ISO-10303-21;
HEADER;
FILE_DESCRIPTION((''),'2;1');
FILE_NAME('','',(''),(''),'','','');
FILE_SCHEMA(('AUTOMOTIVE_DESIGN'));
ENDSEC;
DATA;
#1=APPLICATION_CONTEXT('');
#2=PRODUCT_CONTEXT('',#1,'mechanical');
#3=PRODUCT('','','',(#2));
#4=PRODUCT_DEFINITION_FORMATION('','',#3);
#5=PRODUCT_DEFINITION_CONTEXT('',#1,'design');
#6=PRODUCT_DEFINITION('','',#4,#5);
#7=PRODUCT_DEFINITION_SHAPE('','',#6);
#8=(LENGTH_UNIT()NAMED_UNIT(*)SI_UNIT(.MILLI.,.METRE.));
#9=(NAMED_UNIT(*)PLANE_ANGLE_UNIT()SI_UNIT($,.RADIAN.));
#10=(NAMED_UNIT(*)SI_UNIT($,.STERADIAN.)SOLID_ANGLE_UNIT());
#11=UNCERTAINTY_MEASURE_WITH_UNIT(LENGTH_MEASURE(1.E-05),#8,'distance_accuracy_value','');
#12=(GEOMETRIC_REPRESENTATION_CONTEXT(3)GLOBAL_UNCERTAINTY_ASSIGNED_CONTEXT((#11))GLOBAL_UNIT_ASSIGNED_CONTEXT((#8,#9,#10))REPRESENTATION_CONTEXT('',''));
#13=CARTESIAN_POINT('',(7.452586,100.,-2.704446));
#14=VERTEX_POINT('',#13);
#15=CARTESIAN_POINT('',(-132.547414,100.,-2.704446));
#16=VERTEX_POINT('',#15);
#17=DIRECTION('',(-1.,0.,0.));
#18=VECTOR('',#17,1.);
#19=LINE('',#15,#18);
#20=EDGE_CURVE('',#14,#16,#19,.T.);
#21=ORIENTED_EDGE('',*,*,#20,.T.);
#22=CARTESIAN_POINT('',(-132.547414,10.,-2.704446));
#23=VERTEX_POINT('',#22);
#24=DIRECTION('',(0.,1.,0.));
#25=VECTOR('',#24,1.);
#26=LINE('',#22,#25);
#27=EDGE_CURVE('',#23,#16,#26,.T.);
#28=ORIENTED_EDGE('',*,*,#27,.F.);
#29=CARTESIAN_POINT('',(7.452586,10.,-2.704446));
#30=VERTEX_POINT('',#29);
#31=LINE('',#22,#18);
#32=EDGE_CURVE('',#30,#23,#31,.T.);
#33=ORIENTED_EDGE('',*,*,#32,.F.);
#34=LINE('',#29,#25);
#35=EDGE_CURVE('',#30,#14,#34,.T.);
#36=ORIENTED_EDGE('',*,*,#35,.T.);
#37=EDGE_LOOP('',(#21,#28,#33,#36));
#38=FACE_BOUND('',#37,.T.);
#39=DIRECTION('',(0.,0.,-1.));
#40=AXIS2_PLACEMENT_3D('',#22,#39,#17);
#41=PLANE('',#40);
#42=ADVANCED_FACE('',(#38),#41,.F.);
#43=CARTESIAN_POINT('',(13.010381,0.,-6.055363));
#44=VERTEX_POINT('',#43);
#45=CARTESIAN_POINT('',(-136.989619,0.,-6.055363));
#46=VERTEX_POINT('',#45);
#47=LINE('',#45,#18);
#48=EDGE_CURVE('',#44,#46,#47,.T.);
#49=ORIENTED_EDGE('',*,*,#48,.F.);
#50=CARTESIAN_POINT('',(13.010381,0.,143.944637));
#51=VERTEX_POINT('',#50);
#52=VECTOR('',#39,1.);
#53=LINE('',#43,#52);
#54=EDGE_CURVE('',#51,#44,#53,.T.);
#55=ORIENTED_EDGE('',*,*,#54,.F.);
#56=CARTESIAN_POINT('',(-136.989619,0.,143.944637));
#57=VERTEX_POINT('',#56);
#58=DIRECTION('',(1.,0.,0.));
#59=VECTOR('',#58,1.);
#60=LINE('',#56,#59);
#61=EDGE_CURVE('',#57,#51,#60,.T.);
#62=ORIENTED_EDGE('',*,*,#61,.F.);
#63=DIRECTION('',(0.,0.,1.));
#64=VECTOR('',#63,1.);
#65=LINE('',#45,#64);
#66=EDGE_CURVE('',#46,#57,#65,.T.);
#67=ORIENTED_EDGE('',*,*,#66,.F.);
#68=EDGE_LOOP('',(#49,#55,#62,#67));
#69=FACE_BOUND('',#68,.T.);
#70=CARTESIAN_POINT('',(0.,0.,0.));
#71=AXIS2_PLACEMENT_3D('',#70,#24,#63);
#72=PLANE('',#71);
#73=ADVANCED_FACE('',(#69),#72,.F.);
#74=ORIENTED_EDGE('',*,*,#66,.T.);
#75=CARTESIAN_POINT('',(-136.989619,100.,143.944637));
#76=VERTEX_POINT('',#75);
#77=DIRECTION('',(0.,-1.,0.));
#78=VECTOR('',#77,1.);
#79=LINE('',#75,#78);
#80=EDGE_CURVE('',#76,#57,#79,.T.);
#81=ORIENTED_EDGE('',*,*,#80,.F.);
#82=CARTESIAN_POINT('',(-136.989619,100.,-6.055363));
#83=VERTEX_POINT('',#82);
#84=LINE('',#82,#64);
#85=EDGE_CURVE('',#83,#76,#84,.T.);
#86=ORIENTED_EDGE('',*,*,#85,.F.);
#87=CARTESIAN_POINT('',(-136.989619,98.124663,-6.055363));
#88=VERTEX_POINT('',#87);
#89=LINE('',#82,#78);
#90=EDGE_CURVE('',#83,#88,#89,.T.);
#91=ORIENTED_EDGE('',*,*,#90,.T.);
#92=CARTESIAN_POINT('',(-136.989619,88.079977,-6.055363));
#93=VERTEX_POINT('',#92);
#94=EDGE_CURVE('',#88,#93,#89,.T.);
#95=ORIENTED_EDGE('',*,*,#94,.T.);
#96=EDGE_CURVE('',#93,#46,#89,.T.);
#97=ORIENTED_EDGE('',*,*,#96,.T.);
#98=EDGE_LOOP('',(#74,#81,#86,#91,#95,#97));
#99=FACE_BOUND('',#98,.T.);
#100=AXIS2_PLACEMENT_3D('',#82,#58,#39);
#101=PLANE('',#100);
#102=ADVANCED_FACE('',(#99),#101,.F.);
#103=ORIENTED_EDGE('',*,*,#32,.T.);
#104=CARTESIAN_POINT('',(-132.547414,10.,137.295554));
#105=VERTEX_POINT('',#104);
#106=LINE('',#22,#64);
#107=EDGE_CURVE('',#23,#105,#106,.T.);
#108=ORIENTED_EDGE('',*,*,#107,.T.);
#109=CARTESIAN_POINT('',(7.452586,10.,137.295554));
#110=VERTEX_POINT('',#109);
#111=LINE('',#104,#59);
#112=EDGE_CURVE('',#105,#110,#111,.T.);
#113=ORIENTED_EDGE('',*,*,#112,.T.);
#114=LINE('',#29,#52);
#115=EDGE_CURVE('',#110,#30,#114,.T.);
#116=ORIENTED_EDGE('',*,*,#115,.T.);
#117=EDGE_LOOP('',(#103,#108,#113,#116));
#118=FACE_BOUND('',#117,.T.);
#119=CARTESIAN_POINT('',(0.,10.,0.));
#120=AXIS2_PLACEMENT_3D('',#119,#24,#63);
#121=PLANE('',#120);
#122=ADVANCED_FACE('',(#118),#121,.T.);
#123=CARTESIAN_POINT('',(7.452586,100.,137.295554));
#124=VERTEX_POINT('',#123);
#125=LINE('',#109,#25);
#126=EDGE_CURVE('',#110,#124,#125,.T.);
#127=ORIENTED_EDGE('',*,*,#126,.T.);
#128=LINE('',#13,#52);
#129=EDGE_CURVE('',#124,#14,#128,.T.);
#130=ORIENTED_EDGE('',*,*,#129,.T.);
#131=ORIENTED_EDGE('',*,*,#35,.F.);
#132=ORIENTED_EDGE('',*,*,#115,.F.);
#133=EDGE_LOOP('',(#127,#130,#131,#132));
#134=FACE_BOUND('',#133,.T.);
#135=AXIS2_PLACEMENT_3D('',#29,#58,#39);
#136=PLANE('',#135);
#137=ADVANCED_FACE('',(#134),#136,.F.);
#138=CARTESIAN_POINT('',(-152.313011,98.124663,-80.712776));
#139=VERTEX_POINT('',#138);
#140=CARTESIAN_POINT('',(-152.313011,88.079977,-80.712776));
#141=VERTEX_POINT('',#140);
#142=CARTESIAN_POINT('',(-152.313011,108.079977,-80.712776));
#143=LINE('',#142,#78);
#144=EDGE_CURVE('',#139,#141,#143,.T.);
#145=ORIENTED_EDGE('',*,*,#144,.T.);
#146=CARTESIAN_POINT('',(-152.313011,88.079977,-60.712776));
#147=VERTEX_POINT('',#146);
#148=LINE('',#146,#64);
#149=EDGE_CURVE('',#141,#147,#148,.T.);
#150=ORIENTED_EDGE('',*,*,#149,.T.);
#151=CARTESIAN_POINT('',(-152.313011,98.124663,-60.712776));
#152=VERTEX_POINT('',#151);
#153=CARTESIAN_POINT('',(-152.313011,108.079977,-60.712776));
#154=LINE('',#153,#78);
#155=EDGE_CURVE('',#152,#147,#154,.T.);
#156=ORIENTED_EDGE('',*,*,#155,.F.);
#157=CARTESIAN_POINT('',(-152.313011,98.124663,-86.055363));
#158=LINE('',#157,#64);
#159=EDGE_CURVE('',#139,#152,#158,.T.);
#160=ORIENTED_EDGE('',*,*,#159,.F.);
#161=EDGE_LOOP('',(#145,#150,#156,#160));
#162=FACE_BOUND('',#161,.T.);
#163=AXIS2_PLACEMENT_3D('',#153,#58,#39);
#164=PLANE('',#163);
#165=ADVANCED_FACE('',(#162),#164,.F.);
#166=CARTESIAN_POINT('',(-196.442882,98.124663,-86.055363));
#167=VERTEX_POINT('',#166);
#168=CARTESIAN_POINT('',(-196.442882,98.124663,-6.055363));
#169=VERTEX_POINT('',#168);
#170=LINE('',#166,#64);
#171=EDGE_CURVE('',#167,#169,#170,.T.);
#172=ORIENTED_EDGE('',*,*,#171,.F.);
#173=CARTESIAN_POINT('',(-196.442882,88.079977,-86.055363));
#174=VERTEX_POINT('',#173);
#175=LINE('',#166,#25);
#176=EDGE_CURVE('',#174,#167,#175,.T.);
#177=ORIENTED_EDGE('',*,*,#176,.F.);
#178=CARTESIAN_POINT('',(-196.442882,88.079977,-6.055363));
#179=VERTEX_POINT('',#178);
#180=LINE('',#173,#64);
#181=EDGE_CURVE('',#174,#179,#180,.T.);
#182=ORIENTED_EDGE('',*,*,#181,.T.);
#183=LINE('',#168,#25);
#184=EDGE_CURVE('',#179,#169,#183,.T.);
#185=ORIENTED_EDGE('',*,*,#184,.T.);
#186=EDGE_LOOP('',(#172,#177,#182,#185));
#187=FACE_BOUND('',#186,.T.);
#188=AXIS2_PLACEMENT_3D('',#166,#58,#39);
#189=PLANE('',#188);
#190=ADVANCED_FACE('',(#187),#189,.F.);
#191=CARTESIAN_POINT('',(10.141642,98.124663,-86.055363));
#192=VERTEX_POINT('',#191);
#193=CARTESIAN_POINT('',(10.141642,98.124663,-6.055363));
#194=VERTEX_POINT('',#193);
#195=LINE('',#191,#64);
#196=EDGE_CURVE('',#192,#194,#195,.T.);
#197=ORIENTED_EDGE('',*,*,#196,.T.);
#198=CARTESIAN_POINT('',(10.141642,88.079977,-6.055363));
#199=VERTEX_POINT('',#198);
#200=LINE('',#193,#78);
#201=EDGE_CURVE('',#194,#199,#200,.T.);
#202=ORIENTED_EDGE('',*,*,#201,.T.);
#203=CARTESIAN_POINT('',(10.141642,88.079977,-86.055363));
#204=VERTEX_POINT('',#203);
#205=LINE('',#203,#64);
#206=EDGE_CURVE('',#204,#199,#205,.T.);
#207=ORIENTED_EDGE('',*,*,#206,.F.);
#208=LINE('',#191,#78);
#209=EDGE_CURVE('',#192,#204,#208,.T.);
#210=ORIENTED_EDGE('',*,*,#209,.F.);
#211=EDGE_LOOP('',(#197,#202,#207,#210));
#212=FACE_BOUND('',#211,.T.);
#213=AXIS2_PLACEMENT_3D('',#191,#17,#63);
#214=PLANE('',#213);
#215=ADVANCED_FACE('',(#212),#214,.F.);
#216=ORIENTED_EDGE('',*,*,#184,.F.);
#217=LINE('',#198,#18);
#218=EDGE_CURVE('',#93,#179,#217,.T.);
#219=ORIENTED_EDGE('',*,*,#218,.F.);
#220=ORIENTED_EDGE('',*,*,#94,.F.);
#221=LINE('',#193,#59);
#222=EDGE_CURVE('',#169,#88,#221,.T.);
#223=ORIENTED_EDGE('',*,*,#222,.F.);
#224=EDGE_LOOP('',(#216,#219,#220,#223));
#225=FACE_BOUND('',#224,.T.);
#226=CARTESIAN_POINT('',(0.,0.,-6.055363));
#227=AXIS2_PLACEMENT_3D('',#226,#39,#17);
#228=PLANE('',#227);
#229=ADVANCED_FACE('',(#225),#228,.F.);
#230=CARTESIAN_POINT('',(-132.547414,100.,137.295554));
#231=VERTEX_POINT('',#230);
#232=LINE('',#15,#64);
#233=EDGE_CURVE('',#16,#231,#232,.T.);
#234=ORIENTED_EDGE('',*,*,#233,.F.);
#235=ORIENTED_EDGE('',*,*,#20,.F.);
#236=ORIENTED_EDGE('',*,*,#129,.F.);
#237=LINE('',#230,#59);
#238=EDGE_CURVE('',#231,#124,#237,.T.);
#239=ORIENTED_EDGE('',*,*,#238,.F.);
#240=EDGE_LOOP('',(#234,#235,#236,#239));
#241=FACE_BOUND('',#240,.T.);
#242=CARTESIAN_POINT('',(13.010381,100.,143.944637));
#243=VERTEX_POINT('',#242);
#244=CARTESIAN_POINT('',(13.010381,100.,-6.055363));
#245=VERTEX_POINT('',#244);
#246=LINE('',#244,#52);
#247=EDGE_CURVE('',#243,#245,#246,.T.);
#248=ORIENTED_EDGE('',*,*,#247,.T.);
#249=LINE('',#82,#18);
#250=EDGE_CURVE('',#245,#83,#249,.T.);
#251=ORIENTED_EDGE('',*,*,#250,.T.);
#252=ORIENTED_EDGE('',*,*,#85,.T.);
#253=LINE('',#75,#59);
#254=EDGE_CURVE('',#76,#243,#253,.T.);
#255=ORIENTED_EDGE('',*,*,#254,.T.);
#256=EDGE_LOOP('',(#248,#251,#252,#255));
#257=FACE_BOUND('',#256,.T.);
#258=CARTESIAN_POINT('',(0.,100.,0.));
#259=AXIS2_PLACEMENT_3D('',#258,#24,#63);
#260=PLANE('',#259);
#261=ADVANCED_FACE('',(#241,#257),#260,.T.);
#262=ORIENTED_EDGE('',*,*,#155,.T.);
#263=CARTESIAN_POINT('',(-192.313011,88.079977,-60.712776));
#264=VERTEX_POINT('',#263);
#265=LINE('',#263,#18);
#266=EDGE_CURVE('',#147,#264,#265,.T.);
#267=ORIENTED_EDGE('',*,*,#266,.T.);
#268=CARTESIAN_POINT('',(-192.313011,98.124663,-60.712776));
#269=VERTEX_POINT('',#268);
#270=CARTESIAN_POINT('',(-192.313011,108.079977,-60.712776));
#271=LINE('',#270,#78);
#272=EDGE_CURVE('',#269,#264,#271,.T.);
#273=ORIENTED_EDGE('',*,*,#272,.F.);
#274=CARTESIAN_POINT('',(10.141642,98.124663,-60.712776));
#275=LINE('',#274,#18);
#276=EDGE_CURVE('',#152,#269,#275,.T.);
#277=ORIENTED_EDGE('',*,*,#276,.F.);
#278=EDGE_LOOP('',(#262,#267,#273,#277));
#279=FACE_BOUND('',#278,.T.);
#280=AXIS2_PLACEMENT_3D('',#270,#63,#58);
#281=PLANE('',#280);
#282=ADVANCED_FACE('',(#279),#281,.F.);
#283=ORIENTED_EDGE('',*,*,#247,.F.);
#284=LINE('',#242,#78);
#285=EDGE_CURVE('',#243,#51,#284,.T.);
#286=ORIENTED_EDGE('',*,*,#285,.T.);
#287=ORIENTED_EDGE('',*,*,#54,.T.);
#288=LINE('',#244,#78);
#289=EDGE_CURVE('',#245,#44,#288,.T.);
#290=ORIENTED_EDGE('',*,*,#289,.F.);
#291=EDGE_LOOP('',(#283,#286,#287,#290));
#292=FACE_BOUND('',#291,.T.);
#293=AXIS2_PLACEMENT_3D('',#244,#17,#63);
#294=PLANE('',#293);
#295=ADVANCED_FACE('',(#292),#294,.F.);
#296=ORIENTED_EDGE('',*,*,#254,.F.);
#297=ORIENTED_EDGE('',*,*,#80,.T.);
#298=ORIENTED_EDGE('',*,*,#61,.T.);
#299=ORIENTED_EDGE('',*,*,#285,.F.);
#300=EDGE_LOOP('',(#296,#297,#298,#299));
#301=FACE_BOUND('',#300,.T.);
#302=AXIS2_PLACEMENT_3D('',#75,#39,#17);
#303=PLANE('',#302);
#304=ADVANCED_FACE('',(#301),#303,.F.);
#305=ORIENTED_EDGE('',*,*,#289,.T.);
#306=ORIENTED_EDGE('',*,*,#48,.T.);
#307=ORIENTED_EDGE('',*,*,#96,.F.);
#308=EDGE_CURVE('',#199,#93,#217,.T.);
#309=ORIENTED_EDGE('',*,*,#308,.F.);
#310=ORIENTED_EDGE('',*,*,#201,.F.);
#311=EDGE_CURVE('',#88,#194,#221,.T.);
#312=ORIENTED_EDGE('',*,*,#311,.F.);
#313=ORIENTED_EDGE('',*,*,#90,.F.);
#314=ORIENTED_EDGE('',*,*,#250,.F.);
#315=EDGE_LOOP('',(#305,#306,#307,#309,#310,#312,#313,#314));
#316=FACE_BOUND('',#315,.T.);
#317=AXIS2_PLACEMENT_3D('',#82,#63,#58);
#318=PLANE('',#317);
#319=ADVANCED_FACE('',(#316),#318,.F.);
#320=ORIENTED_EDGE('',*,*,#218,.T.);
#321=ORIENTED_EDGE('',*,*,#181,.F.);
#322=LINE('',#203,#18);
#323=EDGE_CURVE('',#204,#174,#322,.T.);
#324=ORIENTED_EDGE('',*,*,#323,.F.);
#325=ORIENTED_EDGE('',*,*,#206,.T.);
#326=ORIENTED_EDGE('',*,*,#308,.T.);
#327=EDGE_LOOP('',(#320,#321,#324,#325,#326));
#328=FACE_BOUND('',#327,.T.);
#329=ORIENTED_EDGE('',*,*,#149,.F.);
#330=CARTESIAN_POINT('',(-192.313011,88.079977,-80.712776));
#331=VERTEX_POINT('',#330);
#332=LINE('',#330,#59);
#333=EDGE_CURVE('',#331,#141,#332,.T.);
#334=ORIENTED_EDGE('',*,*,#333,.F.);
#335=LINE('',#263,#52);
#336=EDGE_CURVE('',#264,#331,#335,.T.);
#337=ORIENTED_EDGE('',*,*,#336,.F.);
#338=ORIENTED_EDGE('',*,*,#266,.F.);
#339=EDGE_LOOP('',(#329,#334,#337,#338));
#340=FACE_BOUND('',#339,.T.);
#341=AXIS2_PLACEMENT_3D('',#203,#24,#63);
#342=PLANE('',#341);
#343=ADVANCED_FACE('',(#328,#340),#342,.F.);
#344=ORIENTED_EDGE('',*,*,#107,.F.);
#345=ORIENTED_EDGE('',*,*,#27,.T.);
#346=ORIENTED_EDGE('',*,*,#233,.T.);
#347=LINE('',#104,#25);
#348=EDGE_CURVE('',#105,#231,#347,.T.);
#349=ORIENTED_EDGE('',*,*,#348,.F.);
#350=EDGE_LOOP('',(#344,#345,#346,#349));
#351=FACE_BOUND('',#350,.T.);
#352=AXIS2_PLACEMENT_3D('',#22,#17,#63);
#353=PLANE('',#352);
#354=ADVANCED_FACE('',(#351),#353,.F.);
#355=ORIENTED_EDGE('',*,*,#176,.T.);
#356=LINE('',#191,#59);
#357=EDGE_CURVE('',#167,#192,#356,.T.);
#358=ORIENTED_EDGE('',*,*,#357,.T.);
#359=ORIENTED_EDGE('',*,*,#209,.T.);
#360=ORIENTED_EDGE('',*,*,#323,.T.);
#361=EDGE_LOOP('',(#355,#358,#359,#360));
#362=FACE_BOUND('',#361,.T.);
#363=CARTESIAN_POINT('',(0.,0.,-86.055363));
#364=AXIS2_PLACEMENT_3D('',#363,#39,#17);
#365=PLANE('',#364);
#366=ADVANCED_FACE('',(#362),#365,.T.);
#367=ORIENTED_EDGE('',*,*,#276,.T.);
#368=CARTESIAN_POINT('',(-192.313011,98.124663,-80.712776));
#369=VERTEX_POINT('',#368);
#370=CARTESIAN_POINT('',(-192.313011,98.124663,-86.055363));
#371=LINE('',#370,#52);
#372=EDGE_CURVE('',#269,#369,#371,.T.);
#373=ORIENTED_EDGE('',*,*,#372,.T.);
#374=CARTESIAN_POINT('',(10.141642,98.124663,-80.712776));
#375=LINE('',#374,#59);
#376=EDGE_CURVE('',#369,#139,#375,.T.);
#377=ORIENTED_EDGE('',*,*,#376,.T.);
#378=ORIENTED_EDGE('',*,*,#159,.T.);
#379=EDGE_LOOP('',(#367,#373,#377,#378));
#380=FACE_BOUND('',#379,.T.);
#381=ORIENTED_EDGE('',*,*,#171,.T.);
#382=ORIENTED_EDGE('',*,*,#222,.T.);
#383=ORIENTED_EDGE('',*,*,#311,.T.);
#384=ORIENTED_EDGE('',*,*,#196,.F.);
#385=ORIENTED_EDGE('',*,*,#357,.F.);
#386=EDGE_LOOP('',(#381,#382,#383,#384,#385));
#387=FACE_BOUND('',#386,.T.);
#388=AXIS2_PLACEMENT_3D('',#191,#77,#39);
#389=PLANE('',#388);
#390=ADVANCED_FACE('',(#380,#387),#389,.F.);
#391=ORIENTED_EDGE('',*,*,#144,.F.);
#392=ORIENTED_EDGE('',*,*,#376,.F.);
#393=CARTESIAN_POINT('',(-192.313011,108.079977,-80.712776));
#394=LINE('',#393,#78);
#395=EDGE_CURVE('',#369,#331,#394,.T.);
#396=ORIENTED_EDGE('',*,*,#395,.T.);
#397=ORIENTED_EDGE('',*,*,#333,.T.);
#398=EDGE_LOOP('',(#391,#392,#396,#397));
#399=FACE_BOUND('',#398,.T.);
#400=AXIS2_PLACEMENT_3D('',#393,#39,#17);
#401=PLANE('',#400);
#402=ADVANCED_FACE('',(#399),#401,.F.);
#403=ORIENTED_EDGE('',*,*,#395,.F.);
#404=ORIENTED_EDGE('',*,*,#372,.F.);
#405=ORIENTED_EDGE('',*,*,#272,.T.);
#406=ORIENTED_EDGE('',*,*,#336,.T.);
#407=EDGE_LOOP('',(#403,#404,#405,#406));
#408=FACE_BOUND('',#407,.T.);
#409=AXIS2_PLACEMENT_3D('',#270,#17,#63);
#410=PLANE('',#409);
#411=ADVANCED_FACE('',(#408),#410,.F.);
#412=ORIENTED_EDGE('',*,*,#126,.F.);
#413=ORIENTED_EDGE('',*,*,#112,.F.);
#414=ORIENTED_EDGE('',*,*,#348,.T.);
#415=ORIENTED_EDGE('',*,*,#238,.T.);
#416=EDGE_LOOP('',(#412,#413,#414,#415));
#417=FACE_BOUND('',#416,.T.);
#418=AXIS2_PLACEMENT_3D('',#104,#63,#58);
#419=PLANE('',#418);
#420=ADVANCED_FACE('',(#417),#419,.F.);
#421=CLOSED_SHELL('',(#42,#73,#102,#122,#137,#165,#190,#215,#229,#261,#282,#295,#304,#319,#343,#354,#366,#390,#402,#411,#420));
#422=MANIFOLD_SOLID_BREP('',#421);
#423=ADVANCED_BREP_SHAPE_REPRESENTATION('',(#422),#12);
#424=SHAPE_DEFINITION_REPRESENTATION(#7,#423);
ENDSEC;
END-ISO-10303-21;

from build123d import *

# Parameters (mm, degrees)
SKETCH_1_W          = 150
SKETCH_1_H          = 150
EXTRUDE_1_DEPTH     = 100
SKETCH_2_W          = 140
SKETCH_2_H          = 140
CUT_EXTRUDE_1_DEPTH = 90
SKETCH_3_W          = 206.584523794
SKETCH_3_H          = 10.04468641
EXTRUDE_2_DEPTH     = 80
SKETCH_4_W          = 40
SKETCH_4_H          = 20
CUT_EXTRUDE_2_DEPTH = 20


with BuildPart() as part:
    # 草图1 → 凸台-拉伸1 (new body)
    with BuildSketch(Plane(origin=(0, 0, 0), x_dir=(1, 0, 0), z_dir=(0, 1, 0))):
        with Locations((-61.989619377, -68.944636678)):
            Rectangle(SKETCH_1_W, SKETCH_1_H)
    extrude(amount=EXTRUDE_1_DEPTH)

    # 草图2 → 切除-拉伸1 (cut)
    with BuildSketch(Plane(origin=(0, 100, 0), x_dir=(1, 0, 0), z_dir=(0, 1, 0))):
        with Locations((-62.547413878, -67.29555388)):
            Rectangle(SKETCH_2_W, SKETCH_2_H)
    extrude(amount=-CUT_EXTRUDE_1_DEPTH, mode=Mode.SUBTRACT)

    # 草图3 → 凸台-拉伸2 (add)
    with BuildSketch(Plane(origin=(0, 0, -6.055363322), x_dir=(-1, 0, 0), z_dir=(0, 0, -1))):
        with Locations((93.150620362, 93.10231994)):
            Rectangle(SKETCH_3_W, SKETCH_3_H)
    extrude(amount=EXTRUDE_2_DEPTH)

    # 草图4 → 切除-拉伸2 (cut)
    with BuildSketch(Plane.XZ.offset(-88.079976735)):
        with Locations((-172.313011016, -70.712776271)):
            Rectangle(SKETCH_4_W, SKETCH_4_H)
    extrude(amount=-CUT_EXTRUDE_2_DEPTH, mode=Mode.SUBTRACT)


solid = part.part
